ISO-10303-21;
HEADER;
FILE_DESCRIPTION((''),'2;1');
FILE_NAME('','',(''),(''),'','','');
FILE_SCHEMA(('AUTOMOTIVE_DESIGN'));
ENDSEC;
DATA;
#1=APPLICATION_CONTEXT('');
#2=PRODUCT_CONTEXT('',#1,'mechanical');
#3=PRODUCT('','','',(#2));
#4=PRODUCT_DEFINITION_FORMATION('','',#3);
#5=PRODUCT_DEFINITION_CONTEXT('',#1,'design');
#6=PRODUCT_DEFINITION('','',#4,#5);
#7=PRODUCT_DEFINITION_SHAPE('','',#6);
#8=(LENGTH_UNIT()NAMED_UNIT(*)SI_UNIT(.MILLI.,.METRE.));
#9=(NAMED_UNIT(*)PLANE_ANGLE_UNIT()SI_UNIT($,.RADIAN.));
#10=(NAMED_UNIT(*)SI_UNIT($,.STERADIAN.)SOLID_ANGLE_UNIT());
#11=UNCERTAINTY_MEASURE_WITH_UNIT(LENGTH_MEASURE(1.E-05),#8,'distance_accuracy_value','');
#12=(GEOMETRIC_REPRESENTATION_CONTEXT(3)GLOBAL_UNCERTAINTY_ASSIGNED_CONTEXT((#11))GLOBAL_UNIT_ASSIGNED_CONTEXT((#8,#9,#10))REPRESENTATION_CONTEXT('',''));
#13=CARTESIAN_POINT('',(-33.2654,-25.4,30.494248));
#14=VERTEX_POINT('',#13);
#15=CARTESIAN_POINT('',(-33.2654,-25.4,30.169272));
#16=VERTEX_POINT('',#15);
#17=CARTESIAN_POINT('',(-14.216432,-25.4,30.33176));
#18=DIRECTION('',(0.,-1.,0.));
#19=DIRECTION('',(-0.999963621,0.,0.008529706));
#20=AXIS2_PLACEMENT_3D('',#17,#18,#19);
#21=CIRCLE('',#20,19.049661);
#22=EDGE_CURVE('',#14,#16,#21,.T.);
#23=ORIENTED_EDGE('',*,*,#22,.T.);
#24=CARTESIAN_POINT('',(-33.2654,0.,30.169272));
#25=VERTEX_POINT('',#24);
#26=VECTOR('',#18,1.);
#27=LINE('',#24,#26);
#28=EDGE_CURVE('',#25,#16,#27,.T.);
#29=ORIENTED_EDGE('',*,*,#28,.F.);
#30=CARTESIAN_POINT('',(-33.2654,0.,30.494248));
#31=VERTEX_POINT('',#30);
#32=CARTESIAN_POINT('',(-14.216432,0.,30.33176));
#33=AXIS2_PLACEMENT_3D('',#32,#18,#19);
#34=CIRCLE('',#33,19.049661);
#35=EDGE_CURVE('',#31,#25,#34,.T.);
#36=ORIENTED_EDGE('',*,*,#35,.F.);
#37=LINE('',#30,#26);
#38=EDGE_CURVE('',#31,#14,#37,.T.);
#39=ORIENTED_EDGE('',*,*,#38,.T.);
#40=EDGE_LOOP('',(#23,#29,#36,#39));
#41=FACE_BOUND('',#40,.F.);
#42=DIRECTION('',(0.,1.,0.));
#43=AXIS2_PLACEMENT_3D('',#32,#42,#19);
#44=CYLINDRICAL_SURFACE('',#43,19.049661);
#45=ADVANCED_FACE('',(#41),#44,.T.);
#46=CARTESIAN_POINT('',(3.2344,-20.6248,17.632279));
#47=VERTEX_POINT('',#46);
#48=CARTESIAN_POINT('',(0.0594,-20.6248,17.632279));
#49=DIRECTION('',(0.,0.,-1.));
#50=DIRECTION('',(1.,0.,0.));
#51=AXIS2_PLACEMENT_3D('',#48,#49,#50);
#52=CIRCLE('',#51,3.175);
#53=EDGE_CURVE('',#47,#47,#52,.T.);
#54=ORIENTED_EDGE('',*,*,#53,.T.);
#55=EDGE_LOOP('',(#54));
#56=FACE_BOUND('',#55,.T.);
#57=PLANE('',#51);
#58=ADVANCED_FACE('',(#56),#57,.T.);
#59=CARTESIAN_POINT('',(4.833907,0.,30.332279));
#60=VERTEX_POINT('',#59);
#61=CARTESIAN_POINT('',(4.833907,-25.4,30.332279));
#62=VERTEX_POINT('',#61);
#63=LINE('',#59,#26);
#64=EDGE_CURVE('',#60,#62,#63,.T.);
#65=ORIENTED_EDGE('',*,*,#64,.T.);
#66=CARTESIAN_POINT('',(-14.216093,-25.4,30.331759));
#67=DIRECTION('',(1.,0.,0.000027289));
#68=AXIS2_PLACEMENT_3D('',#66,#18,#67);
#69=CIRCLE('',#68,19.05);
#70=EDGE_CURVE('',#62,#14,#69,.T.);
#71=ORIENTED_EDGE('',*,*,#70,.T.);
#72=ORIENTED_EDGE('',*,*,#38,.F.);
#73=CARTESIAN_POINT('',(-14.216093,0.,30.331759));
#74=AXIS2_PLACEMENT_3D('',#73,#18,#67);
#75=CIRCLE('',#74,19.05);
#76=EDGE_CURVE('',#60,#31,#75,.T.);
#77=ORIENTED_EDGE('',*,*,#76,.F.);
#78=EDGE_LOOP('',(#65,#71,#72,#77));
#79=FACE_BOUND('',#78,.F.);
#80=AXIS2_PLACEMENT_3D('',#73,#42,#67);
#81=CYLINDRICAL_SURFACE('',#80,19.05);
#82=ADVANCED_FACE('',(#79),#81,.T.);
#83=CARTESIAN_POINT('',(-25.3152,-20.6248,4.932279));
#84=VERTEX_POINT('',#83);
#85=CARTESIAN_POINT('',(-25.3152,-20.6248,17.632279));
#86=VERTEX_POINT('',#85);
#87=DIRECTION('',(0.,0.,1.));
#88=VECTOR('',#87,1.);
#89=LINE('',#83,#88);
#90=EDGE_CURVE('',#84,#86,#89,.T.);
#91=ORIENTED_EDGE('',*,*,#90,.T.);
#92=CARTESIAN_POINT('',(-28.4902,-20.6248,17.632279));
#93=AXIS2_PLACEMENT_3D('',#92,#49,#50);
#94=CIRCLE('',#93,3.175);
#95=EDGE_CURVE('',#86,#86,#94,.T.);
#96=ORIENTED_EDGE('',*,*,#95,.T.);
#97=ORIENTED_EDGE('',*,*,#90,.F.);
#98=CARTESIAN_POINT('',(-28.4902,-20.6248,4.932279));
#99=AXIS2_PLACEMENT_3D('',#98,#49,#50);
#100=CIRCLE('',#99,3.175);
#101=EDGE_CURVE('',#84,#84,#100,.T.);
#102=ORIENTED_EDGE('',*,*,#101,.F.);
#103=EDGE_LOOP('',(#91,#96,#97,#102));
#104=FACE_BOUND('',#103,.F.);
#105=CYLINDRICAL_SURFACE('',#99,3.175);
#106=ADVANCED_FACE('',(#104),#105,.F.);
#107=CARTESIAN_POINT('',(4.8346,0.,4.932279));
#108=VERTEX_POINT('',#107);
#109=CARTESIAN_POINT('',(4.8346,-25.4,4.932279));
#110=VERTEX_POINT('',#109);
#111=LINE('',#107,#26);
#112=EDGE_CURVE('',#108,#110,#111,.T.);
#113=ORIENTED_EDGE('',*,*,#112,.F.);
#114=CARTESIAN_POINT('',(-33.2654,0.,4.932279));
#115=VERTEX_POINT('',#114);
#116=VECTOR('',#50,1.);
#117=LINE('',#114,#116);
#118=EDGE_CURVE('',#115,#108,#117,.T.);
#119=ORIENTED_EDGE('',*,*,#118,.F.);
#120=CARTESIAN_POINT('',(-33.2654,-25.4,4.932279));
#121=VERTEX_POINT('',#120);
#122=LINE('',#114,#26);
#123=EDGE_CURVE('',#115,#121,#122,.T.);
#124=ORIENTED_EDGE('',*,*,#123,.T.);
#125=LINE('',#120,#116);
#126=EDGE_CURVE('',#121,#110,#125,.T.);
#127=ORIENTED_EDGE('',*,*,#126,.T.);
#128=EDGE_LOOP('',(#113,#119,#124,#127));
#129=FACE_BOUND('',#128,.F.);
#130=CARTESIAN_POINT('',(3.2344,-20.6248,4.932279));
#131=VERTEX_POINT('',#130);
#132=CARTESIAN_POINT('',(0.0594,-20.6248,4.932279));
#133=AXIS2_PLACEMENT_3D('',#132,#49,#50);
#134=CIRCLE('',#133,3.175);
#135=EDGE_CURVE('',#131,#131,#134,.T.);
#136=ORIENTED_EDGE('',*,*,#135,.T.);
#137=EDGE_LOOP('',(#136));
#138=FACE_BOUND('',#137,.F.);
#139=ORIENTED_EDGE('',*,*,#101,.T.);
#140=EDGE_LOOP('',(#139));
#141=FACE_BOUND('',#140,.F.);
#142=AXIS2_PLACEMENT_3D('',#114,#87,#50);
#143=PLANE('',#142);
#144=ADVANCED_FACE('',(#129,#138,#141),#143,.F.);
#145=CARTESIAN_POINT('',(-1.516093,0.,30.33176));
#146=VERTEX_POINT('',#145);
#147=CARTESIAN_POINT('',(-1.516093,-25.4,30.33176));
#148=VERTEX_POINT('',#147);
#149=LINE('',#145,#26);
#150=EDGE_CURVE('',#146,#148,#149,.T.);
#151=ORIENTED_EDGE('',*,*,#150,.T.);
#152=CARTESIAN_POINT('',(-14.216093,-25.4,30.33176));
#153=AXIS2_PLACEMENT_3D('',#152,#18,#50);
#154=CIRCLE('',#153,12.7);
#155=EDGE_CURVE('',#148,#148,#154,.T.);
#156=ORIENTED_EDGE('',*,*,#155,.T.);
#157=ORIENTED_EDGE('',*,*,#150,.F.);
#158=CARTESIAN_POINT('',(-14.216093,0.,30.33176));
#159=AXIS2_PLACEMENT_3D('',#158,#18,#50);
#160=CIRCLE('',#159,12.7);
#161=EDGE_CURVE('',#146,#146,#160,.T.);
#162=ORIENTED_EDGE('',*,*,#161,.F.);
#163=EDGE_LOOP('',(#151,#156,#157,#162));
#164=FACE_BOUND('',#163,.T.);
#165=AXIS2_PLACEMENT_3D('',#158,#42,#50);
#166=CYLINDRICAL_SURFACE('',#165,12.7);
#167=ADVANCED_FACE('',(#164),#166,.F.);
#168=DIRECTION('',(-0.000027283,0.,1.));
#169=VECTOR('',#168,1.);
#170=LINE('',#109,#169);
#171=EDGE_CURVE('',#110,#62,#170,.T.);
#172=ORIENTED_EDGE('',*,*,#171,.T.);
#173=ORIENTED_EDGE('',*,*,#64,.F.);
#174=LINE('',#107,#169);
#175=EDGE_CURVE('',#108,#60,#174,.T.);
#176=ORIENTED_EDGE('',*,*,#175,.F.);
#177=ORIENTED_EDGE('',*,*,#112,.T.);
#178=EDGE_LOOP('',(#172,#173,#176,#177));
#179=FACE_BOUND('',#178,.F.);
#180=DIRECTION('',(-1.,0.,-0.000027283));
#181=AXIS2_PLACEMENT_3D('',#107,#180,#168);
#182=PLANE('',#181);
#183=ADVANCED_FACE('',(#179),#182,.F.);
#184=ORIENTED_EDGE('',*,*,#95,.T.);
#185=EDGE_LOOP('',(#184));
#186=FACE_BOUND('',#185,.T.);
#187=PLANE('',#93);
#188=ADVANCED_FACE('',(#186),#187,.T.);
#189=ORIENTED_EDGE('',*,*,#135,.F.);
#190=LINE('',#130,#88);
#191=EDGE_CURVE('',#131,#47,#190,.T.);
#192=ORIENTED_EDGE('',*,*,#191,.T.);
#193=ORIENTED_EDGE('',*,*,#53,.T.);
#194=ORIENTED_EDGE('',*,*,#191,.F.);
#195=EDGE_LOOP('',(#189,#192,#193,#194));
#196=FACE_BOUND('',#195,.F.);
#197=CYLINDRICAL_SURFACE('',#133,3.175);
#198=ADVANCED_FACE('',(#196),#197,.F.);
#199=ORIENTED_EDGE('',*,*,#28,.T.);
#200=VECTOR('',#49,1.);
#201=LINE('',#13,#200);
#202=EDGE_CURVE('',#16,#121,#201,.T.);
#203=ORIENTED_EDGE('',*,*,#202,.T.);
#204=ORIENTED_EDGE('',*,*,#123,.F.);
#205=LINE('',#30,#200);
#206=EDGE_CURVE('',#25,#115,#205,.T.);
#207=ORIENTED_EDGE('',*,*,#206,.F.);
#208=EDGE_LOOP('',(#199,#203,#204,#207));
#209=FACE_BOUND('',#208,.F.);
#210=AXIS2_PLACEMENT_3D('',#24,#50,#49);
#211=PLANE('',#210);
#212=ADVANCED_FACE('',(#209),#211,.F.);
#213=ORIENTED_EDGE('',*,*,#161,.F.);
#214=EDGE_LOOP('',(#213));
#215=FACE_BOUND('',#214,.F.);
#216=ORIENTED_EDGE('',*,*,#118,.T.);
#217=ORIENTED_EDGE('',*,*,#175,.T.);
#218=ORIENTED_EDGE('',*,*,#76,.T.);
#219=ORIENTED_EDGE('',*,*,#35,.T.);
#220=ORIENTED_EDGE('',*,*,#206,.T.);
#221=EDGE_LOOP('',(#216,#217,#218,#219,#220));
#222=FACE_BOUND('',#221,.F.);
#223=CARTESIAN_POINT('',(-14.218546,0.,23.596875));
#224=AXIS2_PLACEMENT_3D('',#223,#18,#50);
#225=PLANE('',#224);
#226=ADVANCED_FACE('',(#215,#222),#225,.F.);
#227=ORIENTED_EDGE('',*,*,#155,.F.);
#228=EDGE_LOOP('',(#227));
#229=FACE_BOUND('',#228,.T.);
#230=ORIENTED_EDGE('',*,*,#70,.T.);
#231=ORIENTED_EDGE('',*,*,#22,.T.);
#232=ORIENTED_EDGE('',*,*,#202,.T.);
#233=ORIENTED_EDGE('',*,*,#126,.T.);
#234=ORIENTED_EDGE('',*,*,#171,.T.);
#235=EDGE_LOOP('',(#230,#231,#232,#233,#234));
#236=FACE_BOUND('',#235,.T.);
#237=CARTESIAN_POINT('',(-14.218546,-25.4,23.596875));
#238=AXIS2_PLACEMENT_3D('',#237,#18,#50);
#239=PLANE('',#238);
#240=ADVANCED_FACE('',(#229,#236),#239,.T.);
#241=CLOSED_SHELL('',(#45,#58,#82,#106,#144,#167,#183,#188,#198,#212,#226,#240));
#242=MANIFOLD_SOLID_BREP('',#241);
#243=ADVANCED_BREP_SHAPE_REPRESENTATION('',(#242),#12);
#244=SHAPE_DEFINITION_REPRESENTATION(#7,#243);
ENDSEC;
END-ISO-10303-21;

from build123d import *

# Parameters (mm, degrees)
F0_R     = 12.7
F1_DEPTH = 25.4
F2_R     = 3.175
F3_DEPTH = 12.7


with BuildPart() as f1:
    # F0 (on Front) → F1 (new body)
    with BuildSketch(Plane.XZ):
        with BuildLine():
            Line((4.8346, 4.932279), (4.833907, 30.332279))
            ThreePointArc((4.833907, 30.332279), (-14.135108, 49.381587), (-33.2654, 30.494248))
            Line((-33.2654, 30.494248), (-33.2654, 30.169272))
            Line((-33.2654, 30.169272), (-33.2654, 4.932279))
            Line((-33.2654, 4.932279), (4.8346, 4.932279))
        make_face()
        with Locations((-14.216093, 30.33176)):
            Circle(F0_R, mode=Mode.SUBTRACT)
        with BuildLine():
            Line((-33.2654, 30.169272), (-33.2654, 30.494248))
            ThreePointArc((-33.2654, 30.494248), (-33.266093, 30.33176), (-33.2654, 30.169272))
        make_face()
    extrude(amount=F1_DEPTH)

    # F2 (on face) → F3 (cut)
    with BuildSketch(Plane(origin=(0, 0, 4.932279), x_dir=(1, 0, 0), z_dir=(0, 0, -1))):
        with Locations((-28.4902, 20.6248)):
            Circle(F2_R)
        with Locations((0.0594, 20.6248)):
            Circle(F2_R)
    extrude(amount=-F3_DEPTH, mode=Mode.SUBTRACT)


solid = f1.part
